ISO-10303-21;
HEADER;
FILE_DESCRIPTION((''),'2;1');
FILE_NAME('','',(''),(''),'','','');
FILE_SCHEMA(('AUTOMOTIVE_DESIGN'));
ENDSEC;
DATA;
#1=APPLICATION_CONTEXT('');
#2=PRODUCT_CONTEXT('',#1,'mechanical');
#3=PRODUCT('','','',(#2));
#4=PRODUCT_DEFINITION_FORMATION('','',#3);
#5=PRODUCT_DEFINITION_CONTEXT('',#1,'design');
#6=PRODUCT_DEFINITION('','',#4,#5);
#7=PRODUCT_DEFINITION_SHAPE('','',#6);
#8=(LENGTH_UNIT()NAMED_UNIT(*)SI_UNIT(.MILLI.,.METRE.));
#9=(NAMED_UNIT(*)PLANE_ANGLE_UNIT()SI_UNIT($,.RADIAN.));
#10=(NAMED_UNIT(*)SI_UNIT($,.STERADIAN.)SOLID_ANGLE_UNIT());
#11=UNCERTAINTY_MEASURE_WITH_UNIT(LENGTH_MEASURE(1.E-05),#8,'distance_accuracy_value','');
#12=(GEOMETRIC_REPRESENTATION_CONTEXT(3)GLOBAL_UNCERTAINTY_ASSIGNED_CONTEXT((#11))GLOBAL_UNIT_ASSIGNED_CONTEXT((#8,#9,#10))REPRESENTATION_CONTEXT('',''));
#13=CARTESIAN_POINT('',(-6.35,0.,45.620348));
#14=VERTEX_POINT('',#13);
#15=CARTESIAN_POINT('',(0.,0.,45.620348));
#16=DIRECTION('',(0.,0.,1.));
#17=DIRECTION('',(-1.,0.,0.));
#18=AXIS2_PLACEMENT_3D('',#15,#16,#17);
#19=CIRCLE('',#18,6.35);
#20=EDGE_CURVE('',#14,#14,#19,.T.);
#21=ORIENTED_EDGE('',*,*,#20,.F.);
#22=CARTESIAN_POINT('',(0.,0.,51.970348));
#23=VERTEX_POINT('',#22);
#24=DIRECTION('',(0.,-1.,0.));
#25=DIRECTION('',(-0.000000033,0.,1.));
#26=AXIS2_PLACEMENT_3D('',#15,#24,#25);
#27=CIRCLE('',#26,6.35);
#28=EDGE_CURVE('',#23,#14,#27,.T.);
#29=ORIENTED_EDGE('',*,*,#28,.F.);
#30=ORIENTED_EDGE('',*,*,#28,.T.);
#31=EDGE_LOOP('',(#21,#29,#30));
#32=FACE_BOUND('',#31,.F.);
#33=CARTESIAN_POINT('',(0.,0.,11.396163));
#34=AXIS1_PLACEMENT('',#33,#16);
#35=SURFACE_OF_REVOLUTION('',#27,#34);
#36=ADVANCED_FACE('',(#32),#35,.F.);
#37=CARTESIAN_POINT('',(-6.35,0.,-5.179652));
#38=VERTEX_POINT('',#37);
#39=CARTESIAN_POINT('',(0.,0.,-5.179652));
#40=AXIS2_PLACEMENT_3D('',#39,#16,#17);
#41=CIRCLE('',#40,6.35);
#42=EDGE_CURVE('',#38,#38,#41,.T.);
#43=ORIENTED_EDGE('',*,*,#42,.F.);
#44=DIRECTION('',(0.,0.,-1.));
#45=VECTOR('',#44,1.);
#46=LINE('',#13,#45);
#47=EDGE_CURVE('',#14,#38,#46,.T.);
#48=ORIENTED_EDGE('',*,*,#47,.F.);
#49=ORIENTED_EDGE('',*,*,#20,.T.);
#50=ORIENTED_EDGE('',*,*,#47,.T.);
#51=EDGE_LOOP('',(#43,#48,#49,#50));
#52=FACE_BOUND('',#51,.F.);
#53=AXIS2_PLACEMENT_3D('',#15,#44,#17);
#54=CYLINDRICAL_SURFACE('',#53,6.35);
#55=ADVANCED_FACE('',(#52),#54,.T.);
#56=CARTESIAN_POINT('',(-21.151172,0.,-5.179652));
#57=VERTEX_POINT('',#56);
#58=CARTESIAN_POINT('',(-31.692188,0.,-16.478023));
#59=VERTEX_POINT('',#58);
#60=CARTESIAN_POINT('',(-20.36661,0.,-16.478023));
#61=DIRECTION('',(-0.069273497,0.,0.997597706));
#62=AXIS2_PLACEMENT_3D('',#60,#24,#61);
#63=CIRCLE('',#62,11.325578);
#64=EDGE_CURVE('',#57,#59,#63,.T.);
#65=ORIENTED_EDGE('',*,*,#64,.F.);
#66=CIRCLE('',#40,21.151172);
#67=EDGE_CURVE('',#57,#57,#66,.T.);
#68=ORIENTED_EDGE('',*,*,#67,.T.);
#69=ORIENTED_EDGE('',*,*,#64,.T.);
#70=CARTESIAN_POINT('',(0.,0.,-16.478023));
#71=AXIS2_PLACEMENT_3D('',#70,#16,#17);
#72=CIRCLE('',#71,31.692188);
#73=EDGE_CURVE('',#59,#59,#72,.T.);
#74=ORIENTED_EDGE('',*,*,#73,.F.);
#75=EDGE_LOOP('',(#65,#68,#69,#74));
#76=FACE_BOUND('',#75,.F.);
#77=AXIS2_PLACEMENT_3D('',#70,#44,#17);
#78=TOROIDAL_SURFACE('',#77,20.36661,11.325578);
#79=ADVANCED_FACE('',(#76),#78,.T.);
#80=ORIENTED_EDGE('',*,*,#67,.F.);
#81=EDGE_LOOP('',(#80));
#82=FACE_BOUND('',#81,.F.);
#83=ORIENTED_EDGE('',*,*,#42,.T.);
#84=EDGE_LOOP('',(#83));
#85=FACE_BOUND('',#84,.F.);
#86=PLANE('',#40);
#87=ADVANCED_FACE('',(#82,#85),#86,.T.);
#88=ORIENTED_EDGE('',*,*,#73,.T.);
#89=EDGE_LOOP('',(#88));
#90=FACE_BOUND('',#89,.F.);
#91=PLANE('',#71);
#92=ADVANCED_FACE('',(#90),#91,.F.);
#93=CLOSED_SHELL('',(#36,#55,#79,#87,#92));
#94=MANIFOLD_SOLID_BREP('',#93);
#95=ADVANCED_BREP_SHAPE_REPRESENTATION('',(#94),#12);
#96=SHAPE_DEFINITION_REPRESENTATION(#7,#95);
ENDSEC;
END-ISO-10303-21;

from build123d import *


with BuildPart() as f1:
    # F0 (on Front) → F1 (revolve)
    with BuildSketch(Plane.XZ):
        with BuildLine():
            Line((-6.35, -16.478023), (-6.35, -5.179652))
            Line((-6.35, -5.179652), (-21.151172, -5.179652))
            ThreePointArc((-21.151172, -5.179652), (-28.647743, -8.751992), (-31.692188, -16.478023))
            Line((-31.692188, -16.478023), (-6.35, -16.478023))
        make_face()
        with BuildLine():
            Line((0, 39.270348), (0, 51.970348))
            ThreePointArc((0, 51.970348), (-4.490128, 50.110476), (-6.35, 45.620348))
            Line((-6.35, 45.620348), (-6.35, -5.179652))
            Line((-6.35, -5.179652), (-6.35, -16.478023))
            Line((-6.35, -16.478023), (0, -16.478023))
            Line((0, -16.478023), (0, 39.270348))
        make_face()
    revolve(axis=Axis((0, 0, 11.396163), (0, 0, 1)))


solid = f1.part
